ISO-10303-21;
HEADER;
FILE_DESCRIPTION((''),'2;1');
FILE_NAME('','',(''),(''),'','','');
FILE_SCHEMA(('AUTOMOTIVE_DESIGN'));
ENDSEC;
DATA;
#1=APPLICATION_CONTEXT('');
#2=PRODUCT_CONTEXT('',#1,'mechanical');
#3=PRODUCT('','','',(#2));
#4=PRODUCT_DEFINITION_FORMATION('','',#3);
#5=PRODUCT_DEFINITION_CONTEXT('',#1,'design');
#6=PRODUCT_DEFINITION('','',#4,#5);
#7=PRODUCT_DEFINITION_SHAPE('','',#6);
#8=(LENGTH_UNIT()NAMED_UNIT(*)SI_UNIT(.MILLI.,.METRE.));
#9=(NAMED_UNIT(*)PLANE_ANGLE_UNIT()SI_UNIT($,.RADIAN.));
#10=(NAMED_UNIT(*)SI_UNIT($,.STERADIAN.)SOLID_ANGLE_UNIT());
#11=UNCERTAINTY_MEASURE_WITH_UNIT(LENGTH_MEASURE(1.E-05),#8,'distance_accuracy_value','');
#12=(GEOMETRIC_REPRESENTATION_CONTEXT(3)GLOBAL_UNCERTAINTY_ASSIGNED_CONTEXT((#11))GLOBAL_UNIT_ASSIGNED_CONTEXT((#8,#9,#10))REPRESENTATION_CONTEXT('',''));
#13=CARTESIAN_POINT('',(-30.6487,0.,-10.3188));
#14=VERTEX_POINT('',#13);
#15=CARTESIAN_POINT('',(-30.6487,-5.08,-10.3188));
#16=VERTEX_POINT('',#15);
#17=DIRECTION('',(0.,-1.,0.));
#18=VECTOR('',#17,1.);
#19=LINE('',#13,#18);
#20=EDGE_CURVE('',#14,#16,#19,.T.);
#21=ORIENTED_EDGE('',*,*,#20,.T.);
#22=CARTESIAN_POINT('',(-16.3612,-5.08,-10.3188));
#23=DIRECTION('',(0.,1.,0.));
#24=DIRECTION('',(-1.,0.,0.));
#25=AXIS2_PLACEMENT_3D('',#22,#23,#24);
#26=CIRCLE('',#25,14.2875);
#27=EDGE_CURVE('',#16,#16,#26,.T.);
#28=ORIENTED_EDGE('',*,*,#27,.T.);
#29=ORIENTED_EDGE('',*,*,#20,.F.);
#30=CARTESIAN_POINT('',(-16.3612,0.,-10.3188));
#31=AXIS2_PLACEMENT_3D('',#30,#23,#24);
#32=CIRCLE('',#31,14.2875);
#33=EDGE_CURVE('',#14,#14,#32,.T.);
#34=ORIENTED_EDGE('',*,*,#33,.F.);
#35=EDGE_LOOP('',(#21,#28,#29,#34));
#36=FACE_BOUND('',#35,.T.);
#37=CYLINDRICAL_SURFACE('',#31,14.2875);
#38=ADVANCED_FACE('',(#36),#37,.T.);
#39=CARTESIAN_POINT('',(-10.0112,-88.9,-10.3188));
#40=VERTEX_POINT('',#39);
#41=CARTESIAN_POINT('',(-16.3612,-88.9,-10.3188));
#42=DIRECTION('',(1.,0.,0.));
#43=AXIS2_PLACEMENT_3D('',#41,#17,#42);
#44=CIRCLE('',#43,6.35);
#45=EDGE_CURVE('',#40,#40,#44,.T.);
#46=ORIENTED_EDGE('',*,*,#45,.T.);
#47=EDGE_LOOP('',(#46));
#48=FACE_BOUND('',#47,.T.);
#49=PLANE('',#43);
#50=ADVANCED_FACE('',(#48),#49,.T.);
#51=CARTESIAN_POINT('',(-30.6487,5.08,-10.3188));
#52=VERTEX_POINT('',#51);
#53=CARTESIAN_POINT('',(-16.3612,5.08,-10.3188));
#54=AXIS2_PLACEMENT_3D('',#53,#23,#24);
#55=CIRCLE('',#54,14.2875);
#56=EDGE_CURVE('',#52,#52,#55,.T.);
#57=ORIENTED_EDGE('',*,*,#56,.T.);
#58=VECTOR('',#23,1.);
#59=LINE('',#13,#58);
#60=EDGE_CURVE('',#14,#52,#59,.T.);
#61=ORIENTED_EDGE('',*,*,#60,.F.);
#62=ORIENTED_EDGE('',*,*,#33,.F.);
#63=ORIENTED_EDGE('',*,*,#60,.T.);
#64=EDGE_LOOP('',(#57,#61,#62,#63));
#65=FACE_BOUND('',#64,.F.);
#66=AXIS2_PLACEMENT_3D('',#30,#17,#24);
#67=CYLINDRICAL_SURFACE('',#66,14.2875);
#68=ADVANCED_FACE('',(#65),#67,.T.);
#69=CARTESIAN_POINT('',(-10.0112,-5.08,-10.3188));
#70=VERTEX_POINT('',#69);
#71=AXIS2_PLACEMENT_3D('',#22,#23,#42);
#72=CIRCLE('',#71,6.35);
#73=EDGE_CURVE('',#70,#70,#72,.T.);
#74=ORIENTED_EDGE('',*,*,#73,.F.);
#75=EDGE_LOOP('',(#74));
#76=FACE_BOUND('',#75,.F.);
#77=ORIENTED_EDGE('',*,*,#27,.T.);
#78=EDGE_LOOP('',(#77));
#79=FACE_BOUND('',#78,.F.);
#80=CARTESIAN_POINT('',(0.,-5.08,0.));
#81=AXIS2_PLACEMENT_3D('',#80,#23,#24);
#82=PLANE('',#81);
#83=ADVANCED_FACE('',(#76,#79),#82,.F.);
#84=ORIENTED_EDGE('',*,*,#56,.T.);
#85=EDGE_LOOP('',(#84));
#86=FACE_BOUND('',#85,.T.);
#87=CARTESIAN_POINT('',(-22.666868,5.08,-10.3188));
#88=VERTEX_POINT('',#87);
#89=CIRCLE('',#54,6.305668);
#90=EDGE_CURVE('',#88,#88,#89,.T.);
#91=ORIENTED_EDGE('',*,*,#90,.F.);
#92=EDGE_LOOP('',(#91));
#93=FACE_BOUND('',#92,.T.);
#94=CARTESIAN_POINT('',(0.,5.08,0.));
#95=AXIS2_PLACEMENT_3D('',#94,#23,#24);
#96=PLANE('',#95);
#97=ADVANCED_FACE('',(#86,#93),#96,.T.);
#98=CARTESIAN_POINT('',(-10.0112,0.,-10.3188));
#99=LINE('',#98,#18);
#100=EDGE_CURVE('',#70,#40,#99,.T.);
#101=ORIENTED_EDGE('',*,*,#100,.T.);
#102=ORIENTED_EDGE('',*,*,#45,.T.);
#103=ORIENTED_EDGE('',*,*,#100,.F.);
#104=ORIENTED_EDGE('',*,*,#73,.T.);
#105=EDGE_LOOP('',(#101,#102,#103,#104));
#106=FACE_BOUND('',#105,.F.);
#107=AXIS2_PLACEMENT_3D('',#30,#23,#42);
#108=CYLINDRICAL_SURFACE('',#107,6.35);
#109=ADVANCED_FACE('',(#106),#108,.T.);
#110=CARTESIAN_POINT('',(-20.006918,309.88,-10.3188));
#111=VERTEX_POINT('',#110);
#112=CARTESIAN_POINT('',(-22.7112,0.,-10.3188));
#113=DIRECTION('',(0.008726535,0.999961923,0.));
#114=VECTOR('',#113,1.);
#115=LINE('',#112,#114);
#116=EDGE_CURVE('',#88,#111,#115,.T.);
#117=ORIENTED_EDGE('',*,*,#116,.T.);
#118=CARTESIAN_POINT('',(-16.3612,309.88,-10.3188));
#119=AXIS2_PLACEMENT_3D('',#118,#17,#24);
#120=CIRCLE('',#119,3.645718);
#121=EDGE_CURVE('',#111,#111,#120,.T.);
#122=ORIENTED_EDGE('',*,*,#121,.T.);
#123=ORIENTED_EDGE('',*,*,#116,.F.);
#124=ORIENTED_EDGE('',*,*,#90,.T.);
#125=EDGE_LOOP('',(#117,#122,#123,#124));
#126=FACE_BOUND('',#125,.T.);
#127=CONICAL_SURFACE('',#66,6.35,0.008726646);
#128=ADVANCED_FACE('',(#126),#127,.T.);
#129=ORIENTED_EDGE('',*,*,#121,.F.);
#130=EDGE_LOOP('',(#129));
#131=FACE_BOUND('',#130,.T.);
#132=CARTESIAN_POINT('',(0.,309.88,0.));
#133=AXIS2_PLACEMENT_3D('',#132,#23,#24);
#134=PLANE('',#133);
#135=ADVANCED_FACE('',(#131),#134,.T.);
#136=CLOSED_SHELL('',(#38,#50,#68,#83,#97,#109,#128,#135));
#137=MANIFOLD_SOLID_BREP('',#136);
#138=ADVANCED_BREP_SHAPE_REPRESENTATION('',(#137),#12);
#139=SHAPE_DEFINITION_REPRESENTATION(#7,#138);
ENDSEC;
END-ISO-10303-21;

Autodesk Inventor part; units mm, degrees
ref_plane "YZ Plane" through (0, 0, 0) normal (1, 0, 0) x (0, 1, 0)
ref_plane "XZ Plane" through (0, 0, 0) normal (0, 1, 0) x (-1, 0, 0)
ref_plane "XY Plane" through (0, 0, 0) normal (0, 0, 1) x (1, 0, 0)
sketch "Base" plane through (0, 0, 0) normal (0, 1, 0) x (-1, 0, 0)
  circle A0 centre (16.3612, -10.3188) radius 6.35
  line L0 (-4.6434, -3.9692) -> (-4.6434, -16.6683) projected
  point P0 (0, 0)
  point P1 (16.4327, -3.9692)
extrude "ForwardFeature" add sketch "Base" along normal blind 309.88 draft -0.5
sketch "Sketch2" plane through (-16.3612, 0, -10.3188) normal (0, -1, 0) x (1, 0, 0)
  circle A0 centre (0, 0) radius 6.35 projected
  point P0 (16.3612, 10.3188)
extrude "BackFeature" add sketch "Sketch2" along normal blind 88.9
sketch "Sketch3" plane through (0, 0, 0) normal (0, 1, 0) x (-1, 0, 0)
  circle A0 centre (16.3612, -10.3188) radius 14.2875
  line L0 (-4.6434, -24.6063) -> (-4.6434, 3.9686) projected
  point P0 (0, 0)
extrude "CollarFeature" add sketch "Sketch3" along normal mid plane 10.16
properties part number "DrumstickBoundingBox"
